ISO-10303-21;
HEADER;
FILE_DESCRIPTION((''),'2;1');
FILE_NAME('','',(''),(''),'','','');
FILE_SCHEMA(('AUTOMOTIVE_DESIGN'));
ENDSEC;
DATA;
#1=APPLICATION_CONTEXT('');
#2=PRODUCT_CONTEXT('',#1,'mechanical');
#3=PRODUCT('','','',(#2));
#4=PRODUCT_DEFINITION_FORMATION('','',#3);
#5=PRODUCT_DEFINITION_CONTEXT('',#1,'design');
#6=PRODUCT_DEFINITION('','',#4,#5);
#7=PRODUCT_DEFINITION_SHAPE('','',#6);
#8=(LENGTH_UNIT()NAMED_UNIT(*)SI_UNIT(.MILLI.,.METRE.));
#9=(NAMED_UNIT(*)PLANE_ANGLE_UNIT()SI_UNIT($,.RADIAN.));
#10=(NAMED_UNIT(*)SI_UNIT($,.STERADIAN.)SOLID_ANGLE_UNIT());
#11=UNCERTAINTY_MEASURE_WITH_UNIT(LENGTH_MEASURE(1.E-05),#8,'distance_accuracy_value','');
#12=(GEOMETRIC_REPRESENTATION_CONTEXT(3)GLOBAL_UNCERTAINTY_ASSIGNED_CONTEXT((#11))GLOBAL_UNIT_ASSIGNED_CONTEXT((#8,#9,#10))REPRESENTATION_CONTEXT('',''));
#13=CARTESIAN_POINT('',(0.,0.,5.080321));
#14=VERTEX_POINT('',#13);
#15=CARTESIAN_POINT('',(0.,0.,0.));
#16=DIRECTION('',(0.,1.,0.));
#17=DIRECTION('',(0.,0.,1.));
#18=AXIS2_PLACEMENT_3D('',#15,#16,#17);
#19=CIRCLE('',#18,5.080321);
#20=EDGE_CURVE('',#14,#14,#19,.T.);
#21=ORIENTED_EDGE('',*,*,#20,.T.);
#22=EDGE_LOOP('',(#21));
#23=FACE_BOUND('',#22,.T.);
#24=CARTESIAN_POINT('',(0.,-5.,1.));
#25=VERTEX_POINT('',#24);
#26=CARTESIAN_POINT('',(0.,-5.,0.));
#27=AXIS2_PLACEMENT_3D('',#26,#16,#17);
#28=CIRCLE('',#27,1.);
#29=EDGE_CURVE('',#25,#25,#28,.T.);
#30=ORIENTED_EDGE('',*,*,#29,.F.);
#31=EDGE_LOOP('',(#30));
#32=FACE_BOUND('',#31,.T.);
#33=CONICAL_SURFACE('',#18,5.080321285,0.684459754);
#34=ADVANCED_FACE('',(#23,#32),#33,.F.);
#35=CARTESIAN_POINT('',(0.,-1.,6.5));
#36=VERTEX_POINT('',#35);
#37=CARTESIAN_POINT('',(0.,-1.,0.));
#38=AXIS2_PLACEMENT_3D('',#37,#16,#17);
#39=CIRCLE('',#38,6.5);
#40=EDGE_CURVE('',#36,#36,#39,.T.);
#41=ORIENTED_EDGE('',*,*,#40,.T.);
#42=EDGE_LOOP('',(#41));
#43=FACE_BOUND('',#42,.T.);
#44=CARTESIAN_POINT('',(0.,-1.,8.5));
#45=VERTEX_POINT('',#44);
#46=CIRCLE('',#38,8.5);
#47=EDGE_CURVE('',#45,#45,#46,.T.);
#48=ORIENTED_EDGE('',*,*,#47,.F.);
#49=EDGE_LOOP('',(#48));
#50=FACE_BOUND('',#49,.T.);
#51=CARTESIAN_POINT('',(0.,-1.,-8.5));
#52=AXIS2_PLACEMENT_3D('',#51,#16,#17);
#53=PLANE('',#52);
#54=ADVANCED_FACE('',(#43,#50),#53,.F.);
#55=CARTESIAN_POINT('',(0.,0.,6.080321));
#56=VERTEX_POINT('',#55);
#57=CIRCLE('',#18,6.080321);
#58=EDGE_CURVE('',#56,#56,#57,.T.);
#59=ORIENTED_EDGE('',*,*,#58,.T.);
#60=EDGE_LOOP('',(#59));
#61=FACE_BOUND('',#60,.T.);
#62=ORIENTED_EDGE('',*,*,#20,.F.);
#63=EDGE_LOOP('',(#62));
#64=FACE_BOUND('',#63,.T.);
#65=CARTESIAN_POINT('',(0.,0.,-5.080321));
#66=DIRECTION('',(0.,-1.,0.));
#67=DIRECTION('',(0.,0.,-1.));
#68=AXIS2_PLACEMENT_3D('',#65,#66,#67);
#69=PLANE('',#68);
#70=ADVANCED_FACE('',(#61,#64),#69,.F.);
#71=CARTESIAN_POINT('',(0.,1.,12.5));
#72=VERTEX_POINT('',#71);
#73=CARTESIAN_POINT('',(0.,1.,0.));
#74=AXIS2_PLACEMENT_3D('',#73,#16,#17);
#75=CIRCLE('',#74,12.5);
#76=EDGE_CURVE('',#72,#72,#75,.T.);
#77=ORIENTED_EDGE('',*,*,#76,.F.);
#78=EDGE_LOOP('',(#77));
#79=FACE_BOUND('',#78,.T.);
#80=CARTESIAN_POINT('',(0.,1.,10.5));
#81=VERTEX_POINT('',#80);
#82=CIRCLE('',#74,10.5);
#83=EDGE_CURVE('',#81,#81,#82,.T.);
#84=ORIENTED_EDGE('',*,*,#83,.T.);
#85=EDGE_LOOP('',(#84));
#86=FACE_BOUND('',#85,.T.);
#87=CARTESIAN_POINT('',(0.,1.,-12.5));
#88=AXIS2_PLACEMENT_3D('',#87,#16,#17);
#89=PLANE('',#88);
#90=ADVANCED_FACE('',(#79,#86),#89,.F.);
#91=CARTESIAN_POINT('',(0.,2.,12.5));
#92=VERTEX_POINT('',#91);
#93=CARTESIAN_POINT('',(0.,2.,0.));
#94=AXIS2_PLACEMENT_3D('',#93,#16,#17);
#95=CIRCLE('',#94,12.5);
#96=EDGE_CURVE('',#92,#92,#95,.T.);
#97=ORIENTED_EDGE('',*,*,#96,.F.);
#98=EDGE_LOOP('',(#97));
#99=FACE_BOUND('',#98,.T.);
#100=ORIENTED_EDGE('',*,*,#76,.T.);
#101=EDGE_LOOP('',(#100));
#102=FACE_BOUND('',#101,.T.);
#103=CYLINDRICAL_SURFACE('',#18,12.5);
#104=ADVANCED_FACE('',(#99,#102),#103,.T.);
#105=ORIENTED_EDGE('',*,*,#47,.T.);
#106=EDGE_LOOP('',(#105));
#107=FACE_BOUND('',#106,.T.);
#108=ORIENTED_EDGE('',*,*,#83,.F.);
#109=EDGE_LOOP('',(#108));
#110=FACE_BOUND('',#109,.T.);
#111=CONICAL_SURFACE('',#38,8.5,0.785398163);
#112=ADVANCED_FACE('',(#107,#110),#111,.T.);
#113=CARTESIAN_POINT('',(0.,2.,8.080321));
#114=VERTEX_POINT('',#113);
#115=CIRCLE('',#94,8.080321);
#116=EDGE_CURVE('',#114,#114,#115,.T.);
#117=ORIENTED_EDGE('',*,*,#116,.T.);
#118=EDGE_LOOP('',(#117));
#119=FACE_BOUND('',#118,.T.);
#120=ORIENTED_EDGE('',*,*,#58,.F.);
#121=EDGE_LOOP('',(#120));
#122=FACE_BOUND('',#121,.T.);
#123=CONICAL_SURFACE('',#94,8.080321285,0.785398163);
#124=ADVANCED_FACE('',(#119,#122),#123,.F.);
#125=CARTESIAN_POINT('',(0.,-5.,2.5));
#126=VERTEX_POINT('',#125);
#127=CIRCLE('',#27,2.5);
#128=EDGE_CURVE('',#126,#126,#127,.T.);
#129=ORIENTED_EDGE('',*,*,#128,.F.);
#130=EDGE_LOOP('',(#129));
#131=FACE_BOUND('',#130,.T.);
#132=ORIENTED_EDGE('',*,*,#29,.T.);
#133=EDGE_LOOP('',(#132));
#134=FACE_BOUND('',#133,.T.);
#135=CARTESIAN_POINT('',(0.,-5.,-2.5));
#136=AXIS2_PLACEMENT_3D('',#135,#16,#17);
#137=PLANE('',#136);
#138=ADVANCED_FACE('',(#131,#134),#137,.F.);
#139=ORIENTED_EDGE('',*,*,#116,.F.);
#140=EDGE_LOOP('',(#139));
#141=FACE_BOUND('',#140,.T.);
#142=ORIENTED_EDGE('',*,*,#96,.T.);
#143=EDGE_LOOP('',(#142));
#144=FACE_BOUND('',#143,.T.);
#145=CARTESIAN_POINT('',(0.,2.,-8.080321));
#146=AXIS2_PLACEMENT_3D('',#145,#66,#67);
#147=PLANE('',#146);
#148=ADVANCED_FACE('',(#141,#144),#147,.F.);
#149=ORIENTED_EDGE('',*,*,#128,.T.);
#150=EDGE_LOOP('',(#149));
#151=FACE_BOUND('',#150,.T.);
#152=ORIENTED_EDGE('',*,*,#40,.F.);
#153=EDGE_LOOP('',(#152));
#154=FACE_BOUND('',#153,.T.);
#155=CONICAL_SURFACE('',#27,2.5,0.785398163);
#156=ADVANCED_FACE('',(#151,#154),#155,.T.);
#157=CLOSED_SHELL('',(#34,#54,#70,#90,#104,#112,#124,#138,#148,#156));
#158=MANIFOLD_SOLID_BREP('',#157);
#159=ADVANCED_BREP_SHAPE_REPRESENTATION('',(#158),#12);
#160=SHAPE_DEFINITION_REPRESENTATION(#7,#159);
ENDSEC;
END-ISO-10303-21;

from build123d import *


with BuildPart() as part:
    # Sketch1 → Revolve1 (revolve)
    with BuildSketch(Plane(origin=(0, 0, 0), x_dir=(0, 0, -1), z_dir=(1, 0, 0))):
        Polygon((1, -5), (5.080321285, 0), (6.080321285, 0), (8.080321285, 2), (12.5, 2), (12.5, 1), (10.5, 1), (8.5, -1), (6.5, -1), (2.5, -5), align=None)
    revolve(axis=Axis((0, 0, 0), (0, -1, 0)))


solid = part.part
